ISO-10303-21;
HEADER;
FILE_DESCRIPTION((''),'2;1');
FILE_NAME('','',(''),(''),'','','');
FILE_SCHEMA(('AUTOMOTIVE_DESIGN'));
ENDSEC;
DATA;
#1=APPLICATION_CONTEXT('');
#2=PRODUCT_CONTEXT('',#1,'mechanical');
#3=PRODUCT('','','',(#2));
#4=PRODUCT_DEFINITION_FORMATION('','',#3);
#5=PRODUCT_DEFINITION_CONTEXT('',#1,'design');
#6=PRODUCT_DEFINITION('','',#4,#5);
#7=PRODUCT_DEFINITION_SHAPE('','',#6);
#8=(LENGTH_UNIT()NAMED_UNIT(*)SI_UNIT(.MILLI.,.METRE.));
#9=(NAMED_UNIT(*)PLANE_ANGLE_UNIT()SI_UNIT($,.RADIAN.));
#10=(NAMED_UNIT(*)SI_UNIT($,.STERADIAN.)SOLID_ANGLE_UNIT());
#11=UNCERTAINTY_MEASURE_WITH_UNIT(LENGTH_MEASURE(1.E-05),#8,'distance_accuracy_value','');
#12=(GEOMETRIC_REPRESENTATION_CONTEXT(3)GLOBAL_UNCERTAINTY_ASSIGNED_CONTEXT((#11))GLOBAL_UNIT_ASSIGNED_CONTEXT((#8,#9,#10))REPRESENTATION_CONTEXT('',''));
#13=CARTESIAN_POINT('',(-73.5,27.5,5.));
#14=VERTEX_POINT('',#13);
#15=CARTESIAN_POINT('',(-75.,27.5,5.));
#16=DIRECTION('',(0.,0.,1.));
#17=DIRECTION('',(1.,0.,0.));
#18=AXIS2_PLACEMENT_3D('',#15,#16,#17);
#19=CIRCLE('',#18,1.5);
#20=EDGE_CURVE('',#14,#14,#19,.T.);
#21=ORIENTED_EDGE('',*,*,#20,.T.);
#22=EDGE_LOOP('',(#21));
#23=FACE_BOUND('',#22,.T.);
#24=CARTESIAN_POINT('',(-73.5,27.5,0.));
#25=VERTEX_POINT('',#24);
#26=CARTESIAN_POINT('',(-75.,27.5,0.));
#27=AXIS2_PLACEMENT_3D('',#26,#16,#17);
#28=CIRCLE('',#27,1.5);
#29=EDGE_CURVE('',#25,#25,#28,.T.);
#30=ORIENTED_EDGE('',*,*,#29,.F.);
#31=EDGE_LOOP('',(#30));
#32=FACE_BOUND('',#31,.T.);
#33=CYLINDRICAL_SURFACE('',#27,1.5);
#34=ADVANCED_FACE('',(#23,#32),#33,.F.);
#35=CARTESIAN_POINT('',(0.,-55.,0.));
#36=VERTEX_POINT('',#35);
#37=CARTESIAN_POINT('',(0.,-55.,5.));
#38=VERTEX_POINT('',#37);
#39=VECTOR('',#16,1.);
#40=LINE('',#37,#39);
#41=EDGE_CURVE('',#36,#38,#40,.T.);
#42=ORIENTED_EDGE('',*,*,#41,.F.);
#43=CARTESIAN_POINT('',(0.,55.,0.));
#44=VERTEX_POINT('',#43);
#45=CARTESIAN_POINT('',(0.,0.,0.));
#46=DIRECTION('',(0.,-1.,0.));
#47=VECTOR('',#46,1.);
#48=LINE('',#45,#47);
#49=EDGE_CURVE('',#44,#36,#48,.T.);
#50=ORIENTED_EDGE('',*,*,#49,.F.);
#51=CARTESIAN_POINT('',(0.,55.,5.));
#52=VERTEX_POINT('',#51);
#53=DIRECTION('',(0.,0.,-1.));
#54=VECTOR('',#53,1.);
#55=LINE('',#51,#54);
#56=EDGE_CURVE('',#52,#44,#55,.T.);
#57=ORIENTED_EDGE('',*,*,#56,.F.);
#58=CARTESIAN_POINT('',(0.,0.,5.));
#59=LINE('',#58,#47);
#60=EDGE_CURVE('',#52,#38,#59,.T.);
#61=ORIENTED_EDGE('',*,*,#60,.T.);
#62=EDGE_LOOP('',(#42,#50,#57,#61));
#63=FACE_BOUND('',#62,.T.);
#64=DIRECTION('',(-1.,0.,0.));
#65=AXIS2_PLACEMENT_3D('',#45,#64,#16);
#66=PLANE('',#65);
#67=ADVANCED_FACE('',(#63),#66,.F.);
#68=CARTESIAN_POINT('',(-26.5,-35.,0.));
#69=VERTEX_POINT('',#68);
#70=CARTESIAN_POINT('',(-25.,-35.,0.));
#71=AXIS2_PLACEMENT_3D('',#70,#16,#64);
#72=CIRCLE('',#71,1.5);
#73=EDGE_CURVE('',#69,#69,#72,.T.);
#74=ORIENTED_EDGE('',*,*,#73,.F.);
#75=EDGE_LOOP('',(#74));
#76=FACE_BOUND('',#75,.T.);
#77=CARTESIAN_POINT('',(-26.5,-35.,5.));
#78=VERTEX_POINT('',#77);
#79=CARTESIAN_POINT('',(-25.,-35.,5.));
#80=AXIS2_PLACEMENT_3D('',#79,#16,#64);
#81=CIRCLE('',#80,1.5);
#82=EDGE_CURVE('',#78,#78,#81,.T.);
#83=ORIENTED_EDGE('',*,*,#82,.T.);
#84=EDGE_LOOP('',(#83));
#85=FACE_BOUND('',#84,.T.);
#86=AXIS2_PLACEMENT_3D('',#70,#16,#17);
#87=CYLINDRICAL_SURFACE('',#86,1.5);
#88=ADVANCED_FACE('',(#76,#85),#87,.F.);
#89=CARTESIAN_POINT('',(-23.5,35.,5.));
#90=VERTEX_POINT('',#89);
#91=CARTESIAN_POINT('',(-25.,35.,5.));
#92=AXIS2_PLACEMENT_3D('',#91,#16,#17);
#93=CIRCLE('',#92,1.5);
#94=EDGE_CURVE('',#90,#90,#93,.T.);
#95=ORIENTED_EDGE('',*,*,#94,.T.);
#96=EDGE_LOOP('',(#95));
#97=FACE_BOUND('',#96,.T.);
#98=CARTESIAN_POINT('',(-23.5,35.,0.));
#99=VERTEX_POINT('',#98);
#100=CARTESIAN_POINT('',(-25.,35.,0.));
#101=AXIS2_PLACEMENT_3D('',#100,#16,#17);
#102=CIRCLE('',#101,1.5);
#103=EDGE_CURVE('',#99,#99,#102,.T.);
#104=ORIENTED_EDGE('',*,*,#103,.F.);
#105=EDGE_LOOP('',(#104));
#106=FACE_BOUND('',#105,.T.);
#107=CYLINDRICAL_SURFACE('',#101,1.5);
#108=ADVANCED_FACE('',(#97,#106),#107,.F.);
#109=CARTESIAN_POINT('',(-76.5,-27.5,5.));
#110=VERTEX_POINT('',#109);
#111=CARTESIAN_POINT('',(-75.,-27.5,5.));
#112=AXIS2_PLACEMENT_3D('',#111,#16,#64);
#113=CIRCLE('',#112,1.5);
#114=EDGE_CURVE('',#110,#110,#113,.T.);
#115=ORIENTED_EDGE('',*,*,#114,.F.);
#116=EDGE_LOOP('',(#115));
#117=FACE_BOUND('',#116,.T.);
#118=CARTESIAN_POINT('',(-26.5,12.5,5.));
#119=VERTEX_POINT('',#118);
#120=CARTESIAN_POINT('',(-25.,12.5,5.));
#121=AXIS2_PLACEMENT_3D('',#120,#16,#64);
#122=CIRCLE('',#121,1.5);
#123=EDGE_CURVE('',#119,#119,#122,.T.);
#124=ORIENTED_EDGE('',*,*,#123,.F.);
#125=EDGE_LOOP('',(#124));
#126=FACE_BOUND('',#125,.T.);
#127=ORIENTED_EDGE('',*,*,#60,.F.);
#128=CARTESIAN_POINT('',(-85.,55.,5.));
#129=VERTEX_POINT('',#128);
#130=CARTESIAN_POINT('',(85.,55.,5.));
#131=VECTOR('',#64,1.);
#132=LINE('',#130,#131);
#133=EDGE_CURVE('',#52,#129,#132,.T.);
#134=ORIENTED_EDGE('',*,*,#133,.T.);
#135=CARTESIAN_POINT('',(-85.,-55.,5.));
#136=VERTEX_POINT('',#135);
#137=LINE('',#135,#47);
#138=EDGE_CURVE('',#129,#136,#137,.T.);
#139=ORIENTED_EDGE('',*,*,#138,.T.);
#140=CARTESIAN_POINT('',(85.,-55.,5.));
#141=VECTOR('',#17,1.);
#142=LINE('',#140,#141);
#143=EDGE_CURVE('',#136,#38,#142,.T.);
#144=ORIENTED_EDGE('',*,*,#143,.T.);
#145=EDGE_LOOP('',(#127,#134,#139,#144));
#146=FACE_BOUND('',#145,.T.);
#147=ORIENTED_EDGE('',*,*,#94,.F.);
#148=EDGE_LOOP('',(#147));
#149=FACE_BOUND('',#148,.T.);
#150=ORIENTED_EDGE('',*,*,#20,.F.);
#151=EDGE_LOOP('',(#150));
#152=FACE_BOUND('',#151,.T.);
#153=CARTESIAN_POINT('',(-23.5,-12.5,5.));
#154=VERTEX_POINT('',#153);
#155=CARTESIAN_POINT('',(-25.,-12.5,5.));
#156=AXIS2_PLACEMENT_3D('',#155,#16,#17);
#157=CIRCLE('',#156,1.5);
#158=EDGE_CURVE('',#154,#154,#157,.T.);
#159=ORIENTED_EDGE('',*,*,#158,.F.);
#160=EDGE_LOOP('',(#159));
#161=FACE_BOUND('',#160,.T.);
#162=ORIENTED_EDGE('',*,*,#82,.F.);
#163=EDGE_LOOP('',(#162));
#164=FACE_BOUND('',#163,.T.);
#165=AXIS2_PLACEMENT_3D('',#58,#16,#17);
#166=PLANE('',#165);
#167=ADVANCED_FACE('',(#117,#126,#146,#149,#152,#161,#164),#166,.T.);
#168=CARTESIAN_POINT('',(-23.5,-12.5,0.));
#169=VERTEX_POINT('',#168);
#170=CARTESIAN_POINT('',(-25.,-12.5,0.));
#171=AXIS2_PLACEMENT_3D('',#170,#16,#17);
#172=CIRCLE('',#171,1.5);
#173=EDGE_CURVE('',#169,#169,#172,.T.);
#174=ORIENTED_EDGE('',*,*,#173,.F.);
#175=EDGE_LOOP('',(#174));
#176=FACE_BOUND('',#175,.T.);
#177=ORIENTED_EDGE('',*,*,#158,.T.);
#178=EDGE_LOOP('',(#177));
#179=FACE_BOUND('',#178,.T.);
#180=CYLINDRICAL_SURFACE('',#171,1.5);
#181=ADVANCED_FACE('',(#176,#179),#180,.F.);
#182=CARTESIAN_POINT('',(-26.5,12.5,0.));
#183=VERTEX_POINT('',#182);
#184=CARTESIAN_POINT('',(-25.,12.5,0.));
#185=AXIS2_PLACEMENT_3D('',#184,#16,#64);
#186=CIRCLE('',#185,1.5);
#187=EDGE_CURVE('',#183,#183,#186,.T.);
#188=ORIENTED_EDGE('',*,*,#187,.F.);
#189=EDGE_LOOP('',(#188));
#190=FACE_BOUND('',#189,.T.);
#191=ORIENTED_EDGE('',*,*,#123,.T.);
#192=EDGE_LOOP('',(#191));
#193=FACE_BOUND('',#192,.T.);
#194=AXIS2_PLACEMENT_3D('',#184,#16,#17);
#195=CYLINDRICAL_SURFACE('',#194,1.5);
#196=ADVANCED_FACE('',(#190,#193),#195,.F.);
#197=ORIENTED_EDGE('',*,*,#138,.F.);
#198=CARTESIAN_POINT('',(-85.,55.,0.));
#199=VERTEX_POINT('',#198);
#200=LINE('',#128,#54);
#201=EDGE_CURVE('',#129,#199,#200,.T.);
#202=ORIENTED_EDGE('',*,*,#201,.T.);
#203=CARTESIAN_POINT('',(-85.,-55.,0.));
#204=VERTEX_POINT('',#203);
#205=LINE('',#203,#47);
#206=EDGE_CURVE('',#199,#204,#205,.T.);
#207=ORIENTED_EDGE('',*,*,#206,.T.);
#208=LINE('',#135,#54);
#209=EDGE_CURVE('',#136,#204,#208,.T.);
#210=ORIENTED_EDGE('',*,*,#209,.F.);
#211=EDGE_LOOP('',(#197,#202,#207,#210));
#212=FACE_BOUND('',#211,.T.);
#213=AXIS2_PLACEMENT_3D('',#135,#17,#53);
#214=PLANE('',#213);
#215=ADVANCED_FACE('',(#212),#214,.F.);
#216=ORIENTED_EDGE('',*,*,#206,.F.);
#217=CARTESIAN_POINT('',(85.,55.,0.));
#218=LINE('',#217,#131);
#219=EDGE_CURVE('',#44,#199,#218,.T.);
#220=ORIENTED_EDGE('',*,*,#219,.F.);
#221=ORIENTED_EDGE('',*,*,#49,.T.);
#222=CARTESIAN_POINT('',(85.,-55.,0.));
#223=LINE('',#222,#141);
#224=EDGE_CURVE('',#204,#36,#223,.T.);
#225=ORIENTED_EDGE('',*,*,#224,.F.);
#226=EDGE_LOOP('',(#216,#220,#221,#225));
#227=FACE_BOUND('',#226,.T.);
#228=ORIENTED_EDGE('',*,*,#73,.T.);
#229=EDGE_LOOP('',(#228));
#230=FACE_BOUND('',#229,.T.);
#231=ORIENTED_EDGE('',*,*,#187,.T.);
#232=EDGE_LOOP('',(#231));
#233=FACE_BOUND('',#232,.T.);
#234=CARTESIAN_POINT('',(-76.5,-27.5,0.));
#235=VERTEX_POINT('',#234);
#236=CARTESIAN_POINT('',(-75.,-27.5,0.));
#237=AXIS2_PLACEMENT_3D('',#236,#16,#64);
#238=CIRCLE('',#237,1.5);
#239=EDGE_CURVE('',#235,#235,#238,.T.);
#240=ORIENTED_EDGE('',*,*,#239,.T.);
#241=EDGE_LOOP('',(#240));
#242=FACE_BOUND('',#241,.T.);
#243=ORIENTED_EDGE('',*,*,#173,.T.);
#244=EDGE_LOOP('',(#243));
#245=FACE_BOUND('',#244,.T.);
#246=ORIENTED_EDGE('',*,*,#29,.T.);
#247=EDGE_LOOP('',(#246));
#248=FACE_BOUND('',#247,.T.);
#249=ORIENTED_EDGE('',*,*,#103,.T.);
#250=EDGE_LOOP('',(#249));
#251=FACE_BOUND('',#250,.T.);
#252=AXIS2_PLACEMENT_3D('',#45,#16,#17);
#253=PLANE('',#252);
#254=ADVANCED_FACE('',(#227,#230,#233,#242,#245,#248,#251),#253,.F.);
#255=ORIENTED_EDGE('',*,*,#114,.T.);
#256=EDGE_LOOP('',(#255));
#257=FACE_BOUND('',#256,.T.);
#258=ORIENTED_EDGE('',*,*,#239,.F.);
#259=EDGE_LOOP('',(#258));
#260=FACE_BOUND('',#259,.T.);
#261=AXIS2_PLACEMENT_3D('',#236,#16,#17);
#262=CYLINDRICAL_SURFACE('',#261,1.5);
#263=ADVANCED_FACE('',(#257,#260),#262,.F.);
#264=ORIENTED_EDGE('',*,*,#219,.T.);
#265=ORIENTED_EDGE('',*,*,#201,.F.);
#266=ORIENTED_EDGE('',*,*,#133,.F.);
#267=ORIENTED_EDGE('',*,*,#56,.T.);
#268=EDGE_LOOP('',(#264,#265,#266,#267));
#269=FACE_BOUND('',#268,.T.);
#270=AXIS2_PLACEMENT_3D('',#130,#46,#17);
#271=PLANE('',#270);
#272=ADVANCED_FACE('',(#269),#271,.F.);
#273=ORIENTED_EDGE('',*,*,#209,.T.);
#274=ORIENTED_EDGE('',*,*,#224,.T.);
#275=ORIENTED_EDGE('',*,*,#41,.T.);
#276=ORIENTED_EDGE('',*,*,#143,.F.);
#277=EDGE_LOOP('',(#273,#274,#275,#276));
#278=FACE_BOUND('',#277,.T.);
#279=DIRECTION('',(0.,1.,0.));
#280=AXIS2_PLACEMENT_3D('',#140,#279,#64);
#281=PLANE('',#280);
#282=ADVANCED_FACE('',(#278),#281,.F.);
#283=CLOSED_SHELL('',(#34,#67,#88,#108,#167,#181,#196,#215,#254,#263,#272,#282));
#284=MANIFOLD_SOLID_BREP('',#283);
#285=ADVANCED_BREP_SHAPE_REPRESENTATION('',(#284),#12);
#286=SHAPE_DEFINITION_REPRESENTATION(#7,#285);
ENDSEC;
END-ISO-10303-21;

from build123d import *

# Parameters (mm, degrees)
SKETCH1_W           = 170
SKETCH1_H           = 110
BOSS_EXTRUDE1_DEPTH = 5
SKETCH2_R           = 1.5
CUT_EXTRUDE1_DEPTH  = 6
SKETCH3_R           = 1.5
CUT_EXTRUDE2_DEPTH  = 6
SKETCH4_W           = 40.789310726
SKETCH4_H           = 120.699967799
CUT_EXTRUDE3_DEPTH  = 86


with BuildPart() as part:
    # Sketch1 → Boss-Extrude1 (new body)
    with BuildSketch(Plane.XY):
        Rectangle(SKETCH1_W, SKETCH1_H)
    extrude(amount=BOSS_EXTRUDE1_DEPTH)

    # Sketch2 → Cut-Extrude1 (cut, through all)
    with BuildSketch(Plane.XY.offset(5)):
        with Locations((-75, 27.5)):
            Circle(SKETCH2_R)
        with Locations((-75, -27.5)):
            Circle(SKETCH2_R)
        with Locations((75, -27.5)):
            Circle(SKETCH2_R)
        with Locations((75, 27.5)):
            Circle(SKETCH2_R)
    extrude(amount=-CUT_EXTRUDE1_DEPTH, mode=Mode.SUBTRACT)

    # Sketch3 → Cut-Extrude2 (cut, through all)
    with BuildSketch(Plane.XY.offset(5)):
        with Locations((-25, 35)):
            Circle(SKETCH3_R)
        with Locations((-25, 12.5)):
            Circle(SKETCH3_R)
        with Locations((-25, -12.5)):
            Circle(SKETCH3_R)
        with Locations((-25, -35)):
            Circle(SKETCH3_R)
        with Locations((25, -35)):
            Circle(SKETCH3_R)
        with Locations((25, -12.5)):
            Circle(SKETCH3_R)
        with Locations((25, 12.5)):
            Circle(SKETCH3_R)
        with Locations((25, 35)):
            Circle(SKETCH3_R)
    extrude(amount=-CUT_EXTRUDE2_DEPTH, mode=Mode.SUBTRACT)

    # Sketch4 → Cut-Extrude3 (cut, through all)
    with BuildSketch(Plane(origin=(0, 0, 0), x_dir=(0, 0, -1), z_dir=(1, 0, 0))):
        with Locations((-5.456845945, -1.288881565)):
            Rectangle(SKETCH4_W, SKETCH4_H)
    extrude(amount=CUT_EXTRUDE3_DEPTH, mode=Mode.SUBTRACT)


solid = part.part
